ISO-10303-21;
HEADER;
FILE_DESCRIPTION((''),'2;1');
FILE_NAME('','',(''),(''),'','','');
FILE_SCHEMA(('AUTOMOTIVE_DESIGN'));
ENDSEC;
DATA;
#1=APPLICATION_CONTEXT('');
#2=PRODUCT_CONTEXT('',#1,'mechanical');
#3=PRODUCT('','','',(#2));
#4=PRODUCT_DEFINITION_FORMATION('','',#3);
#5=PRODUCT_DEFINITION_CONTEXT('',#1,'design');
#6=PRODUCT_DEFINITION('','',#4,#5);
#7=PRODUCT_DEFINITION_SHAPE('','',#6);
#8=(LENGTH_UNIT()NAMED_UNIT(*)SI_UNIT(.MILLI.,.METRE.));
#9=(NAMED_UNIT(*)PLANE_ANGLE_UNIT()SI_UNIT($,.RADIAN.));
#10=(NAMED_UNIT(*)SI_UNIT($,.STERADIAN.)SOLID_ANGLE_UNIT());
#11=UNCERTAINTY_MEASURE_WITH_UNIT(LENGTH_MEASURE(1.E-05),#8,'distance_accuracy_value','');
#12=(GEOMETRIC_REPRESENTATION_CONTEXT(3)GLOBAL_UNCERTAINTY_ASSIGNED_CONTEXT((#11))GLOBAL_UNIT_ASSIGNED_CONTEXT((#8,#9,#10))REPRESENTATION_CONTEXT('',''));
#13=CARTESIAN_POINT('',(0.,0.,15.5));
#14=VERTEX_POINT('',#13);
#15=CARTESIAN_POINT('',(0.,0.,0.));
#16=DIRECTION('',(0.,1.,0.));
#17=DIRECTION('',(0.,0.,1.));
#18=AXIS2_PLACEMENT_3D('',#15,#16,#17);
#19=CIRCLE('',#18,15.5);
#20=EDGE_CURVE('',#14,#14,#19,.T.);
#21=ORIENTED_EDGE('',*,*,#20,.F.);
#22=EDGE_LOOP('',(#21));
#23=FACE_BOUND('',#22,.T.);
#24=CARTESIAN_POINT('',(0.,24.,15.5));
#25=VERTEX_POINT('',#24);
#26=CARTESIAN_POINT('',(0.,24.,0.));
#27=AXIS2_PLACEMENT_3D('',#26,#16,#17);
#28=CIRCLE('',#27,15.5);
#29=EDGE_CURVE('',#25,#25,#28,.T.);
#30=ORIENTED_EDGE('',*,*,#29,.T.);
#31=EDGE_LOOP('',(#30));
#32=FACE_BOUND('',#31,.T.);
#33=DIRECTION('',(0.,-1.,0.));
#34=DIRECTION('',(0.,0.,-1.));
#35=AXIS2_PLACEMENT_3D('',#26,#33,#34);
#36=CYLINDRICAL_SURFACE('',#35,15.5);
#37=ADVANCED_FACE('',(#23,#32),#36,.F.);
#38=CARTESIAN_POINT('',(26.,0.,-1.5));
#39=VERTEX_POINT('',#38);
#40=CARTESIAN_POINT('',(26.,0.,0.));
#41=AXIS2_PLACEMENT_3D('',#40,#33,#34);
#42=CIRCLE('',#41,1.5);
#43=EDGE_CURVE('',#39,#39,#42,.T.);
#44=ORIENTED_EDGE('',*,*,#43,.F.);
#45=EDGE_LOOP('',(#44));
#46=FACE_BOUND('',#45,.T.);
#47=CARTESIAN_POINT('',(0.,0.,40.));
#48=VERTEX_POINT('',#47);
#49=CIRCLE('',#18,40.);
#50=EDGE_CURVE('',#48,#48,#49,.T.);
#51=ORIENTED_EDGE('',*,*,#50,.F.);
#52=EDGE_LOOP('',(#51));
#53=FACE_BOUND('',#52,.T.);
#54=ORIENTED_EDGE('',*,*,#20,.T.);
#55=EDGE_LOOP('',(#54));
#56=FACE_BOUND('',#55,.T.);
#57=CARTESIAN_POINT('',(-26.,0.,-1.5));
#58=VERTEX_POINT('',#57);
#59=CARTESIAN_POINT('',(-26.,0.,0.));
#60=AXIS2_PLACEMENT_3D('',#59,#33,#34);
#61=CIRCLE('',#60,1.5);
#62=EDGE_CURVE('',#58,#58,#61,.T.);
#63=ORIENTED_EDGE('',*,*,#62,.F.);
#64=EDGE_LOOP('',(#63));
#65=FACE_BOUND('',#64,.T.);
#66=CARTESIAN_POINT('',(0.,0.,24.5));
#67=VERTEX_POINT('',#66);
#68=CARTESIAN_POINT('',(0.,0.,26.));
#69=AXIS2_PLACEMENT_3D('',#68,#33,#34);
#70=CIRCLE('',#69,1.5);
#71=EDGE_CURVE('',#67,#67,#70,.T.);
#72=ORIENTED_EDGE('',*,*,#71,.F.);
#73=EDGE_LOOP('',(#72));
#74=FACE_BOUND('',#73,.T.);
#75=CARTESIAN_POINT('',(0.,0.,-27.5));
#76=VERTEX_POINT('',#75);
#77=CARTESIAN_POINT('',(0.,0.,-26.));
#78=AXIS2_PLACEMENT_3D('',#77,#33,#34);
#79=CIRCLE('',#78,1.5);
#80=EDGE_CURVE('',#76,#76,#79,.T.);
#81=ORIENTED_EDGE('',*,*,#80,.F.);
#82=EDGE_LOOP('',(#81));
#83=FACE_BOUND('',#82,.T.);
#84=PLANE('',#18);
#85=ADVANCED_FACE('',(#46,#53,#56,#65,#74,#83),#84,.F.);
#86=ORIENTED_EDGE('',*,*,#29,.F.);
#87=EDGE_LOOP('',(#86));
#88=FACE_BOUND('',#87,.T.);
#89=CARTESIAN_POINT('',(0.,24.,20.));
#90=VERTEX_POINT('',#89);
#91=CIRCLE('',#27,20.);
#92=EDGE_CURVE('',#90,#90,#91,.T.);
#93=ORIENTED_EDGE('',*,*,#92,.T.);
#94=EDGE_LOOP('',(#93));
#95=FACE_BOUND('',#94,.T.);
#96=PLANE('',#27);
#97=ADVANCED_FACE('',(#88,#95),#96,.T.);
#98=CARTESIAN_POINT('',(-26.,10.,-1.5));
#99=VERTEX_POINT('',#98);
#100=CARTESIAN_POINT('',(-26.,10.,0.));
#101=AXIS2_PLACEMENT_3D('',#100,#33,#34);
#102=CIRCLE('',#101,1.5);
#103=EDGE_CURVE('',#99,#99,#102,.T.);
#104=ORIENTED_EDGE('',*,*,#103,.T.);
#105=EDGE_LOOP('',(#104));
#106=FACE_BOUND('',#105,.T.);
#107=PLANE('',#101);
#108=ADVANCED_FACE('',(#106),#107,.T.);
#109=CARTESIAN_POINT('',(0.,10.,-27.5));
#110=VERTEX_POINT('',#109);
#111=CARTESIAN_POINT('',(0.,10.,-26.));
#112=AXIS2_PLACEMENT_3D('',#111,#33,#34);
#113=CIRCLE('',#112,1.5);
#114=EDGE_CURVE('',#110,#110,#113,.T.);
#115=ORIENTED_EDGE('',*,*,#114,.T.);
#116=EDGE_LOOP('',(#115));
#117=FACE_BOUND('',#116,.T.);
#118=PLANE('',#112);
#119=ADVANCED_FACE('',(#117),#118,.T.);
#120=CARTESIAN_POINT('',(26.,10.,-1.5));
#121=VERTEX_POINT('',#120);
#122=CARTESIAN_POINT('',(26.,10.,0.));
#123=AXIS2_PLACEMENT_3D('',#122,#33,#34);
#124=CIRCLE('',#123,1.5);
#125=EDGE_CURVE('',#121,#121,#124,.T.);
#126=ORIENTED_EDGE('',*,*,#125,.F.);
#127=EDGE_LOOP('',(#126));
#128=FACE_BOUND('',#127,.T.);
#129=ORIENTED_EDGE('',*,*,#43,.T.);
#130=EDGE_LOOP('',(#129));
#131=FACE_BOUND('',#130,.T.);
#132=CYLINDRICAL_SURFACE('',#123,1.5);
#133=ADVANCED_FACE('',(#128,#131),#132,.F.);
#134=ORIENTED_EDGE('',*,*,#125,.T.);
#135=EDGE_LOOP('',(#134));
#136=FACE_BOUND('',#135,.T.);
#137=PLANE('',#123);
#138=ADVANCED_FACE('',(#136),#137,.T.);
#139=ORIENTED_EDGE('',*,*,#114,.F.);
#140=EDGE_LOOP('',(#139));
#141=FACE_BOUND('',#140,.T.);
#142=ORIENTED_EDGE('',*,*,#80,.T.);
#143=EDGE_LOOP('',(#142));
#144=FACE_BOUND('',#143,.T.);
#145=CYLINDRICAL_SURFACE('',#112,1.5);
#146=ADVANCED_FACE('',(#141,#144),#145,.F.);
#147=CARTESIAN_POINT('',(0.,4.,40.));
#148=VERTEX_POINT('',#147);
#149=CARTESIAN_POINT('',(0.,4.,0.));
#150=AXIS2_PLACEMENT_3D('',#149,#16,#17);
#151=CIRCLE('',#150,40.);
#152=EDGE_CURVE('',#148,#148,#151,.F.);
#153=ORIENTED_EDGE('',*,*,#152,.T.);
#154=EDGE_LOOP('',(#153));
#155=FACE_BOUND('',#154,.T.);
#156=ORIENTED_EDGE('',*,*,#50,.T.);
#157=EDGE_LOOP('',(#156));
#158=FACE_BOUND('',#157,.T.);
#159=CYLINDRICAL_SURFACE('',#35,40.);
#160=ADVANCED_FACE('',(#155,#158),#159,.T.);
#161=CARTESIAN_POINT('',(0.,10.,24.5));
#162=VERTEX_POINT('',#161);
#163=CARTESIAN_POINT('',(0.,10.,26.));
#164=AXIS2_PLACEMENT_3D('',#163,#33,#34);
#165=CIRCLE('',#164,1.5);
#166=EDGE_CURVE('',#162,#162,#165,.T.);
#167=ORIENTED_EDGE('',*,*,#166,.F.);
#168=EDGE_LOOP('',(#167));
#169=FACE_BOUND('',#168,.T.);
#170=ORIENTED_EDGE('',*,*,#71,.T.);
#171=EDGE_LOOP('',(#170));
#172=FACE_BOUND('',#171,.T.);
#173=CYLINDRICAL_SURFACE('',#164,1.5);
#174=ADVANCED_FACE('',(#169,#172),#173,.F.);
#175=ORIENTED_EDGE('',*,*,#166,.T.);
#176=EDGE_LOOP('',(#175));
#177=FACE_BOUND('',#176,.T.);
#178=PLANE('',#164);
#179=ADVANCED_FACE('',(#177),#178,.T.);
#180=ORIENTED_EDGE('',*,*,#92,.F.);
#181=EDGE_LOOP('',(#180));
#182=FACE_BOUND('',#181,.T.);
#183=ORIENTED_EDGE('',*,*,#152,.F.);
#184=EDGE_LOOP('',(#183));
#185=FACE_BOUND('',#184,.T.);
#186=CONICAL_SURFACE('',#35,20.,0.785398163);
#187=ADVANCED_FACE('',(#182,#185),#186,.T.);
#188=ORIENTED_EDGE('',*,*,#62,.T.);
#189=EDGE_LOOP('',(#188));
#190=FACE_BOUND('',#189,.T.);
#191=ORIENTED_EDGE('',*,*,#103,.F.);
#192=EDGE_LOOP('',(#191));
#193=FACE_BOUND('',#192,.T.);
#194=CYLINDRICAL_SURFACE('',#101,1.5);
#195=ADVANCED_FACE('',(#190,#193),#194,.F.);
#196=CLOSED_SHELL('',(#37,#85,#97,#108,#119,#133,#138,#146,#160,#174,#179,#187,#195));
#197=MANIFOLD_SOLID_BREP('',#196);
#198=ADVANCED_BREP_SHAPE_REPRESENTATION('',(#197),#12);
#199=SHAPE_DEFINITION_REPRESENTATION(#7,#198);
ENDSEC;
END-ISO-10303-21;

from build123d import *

# Parameters (mm, degrees)
SKETCH1_R           = 40
SKETCH1_R_2         = 15.5
BOSS_EXTRUDE1_DEPTH = 24
CHAMFER1_SIZE       = 20
SKETCH2_R           = 1.5
CUT_EXTRUDE1_DEPTH  = 10


with BuildPart() as part:
    # Sketch1 → Boss-Extrude1 (new body)
    with BuildSketch(Plane(origin=(0, 0, 0), x_dir=(1, 0, 0), z_dir=(0, 1, 0))):
        with Locations(Location((0, 0, 0), (0, 0, 270))):
            Circle(SKETCH1_R)
        with Locations(Location((0, 0, 0), (0, 0, 270))):
            Circle(SKETCH1_R_2, mode=Mode.SUBTRACT)
    extrude(amount=BOSS_EXTRUDE1_DEPTH)

    # Chamfer1
    chamfer1_edges = [part.edges().sort_by_distance(p)[0] for p in [
        (0, 24, -40),
    ]]
    chamfer(chamfer1_edges, length=CHAMFER1_SIZE)

    # Sketch2 → Cut-Extrude1 (cut)
    with BuildSketch(Plane.XZ):
        with Locations(Location((0, 26, 0), (0, 0, 270))):
            Circle(SKETCH2_R)
        with Locations(Location((26, 0, 0), (0, 0, 270))):
            Circle(SKETCH2_R)
        with Locations(Location((0, -26, 0), (0, 0, 270))):
            Circle(SKETCH2_R)
        with Locations(Location((-26, 0, 0), (0, 0, 270))):
            Circle(SKETCH2_R)
    extrude(amount=-CUT_EXTRUDE1_DEPTH, mode=Mode.SUBTRACT)


solid = part.part
